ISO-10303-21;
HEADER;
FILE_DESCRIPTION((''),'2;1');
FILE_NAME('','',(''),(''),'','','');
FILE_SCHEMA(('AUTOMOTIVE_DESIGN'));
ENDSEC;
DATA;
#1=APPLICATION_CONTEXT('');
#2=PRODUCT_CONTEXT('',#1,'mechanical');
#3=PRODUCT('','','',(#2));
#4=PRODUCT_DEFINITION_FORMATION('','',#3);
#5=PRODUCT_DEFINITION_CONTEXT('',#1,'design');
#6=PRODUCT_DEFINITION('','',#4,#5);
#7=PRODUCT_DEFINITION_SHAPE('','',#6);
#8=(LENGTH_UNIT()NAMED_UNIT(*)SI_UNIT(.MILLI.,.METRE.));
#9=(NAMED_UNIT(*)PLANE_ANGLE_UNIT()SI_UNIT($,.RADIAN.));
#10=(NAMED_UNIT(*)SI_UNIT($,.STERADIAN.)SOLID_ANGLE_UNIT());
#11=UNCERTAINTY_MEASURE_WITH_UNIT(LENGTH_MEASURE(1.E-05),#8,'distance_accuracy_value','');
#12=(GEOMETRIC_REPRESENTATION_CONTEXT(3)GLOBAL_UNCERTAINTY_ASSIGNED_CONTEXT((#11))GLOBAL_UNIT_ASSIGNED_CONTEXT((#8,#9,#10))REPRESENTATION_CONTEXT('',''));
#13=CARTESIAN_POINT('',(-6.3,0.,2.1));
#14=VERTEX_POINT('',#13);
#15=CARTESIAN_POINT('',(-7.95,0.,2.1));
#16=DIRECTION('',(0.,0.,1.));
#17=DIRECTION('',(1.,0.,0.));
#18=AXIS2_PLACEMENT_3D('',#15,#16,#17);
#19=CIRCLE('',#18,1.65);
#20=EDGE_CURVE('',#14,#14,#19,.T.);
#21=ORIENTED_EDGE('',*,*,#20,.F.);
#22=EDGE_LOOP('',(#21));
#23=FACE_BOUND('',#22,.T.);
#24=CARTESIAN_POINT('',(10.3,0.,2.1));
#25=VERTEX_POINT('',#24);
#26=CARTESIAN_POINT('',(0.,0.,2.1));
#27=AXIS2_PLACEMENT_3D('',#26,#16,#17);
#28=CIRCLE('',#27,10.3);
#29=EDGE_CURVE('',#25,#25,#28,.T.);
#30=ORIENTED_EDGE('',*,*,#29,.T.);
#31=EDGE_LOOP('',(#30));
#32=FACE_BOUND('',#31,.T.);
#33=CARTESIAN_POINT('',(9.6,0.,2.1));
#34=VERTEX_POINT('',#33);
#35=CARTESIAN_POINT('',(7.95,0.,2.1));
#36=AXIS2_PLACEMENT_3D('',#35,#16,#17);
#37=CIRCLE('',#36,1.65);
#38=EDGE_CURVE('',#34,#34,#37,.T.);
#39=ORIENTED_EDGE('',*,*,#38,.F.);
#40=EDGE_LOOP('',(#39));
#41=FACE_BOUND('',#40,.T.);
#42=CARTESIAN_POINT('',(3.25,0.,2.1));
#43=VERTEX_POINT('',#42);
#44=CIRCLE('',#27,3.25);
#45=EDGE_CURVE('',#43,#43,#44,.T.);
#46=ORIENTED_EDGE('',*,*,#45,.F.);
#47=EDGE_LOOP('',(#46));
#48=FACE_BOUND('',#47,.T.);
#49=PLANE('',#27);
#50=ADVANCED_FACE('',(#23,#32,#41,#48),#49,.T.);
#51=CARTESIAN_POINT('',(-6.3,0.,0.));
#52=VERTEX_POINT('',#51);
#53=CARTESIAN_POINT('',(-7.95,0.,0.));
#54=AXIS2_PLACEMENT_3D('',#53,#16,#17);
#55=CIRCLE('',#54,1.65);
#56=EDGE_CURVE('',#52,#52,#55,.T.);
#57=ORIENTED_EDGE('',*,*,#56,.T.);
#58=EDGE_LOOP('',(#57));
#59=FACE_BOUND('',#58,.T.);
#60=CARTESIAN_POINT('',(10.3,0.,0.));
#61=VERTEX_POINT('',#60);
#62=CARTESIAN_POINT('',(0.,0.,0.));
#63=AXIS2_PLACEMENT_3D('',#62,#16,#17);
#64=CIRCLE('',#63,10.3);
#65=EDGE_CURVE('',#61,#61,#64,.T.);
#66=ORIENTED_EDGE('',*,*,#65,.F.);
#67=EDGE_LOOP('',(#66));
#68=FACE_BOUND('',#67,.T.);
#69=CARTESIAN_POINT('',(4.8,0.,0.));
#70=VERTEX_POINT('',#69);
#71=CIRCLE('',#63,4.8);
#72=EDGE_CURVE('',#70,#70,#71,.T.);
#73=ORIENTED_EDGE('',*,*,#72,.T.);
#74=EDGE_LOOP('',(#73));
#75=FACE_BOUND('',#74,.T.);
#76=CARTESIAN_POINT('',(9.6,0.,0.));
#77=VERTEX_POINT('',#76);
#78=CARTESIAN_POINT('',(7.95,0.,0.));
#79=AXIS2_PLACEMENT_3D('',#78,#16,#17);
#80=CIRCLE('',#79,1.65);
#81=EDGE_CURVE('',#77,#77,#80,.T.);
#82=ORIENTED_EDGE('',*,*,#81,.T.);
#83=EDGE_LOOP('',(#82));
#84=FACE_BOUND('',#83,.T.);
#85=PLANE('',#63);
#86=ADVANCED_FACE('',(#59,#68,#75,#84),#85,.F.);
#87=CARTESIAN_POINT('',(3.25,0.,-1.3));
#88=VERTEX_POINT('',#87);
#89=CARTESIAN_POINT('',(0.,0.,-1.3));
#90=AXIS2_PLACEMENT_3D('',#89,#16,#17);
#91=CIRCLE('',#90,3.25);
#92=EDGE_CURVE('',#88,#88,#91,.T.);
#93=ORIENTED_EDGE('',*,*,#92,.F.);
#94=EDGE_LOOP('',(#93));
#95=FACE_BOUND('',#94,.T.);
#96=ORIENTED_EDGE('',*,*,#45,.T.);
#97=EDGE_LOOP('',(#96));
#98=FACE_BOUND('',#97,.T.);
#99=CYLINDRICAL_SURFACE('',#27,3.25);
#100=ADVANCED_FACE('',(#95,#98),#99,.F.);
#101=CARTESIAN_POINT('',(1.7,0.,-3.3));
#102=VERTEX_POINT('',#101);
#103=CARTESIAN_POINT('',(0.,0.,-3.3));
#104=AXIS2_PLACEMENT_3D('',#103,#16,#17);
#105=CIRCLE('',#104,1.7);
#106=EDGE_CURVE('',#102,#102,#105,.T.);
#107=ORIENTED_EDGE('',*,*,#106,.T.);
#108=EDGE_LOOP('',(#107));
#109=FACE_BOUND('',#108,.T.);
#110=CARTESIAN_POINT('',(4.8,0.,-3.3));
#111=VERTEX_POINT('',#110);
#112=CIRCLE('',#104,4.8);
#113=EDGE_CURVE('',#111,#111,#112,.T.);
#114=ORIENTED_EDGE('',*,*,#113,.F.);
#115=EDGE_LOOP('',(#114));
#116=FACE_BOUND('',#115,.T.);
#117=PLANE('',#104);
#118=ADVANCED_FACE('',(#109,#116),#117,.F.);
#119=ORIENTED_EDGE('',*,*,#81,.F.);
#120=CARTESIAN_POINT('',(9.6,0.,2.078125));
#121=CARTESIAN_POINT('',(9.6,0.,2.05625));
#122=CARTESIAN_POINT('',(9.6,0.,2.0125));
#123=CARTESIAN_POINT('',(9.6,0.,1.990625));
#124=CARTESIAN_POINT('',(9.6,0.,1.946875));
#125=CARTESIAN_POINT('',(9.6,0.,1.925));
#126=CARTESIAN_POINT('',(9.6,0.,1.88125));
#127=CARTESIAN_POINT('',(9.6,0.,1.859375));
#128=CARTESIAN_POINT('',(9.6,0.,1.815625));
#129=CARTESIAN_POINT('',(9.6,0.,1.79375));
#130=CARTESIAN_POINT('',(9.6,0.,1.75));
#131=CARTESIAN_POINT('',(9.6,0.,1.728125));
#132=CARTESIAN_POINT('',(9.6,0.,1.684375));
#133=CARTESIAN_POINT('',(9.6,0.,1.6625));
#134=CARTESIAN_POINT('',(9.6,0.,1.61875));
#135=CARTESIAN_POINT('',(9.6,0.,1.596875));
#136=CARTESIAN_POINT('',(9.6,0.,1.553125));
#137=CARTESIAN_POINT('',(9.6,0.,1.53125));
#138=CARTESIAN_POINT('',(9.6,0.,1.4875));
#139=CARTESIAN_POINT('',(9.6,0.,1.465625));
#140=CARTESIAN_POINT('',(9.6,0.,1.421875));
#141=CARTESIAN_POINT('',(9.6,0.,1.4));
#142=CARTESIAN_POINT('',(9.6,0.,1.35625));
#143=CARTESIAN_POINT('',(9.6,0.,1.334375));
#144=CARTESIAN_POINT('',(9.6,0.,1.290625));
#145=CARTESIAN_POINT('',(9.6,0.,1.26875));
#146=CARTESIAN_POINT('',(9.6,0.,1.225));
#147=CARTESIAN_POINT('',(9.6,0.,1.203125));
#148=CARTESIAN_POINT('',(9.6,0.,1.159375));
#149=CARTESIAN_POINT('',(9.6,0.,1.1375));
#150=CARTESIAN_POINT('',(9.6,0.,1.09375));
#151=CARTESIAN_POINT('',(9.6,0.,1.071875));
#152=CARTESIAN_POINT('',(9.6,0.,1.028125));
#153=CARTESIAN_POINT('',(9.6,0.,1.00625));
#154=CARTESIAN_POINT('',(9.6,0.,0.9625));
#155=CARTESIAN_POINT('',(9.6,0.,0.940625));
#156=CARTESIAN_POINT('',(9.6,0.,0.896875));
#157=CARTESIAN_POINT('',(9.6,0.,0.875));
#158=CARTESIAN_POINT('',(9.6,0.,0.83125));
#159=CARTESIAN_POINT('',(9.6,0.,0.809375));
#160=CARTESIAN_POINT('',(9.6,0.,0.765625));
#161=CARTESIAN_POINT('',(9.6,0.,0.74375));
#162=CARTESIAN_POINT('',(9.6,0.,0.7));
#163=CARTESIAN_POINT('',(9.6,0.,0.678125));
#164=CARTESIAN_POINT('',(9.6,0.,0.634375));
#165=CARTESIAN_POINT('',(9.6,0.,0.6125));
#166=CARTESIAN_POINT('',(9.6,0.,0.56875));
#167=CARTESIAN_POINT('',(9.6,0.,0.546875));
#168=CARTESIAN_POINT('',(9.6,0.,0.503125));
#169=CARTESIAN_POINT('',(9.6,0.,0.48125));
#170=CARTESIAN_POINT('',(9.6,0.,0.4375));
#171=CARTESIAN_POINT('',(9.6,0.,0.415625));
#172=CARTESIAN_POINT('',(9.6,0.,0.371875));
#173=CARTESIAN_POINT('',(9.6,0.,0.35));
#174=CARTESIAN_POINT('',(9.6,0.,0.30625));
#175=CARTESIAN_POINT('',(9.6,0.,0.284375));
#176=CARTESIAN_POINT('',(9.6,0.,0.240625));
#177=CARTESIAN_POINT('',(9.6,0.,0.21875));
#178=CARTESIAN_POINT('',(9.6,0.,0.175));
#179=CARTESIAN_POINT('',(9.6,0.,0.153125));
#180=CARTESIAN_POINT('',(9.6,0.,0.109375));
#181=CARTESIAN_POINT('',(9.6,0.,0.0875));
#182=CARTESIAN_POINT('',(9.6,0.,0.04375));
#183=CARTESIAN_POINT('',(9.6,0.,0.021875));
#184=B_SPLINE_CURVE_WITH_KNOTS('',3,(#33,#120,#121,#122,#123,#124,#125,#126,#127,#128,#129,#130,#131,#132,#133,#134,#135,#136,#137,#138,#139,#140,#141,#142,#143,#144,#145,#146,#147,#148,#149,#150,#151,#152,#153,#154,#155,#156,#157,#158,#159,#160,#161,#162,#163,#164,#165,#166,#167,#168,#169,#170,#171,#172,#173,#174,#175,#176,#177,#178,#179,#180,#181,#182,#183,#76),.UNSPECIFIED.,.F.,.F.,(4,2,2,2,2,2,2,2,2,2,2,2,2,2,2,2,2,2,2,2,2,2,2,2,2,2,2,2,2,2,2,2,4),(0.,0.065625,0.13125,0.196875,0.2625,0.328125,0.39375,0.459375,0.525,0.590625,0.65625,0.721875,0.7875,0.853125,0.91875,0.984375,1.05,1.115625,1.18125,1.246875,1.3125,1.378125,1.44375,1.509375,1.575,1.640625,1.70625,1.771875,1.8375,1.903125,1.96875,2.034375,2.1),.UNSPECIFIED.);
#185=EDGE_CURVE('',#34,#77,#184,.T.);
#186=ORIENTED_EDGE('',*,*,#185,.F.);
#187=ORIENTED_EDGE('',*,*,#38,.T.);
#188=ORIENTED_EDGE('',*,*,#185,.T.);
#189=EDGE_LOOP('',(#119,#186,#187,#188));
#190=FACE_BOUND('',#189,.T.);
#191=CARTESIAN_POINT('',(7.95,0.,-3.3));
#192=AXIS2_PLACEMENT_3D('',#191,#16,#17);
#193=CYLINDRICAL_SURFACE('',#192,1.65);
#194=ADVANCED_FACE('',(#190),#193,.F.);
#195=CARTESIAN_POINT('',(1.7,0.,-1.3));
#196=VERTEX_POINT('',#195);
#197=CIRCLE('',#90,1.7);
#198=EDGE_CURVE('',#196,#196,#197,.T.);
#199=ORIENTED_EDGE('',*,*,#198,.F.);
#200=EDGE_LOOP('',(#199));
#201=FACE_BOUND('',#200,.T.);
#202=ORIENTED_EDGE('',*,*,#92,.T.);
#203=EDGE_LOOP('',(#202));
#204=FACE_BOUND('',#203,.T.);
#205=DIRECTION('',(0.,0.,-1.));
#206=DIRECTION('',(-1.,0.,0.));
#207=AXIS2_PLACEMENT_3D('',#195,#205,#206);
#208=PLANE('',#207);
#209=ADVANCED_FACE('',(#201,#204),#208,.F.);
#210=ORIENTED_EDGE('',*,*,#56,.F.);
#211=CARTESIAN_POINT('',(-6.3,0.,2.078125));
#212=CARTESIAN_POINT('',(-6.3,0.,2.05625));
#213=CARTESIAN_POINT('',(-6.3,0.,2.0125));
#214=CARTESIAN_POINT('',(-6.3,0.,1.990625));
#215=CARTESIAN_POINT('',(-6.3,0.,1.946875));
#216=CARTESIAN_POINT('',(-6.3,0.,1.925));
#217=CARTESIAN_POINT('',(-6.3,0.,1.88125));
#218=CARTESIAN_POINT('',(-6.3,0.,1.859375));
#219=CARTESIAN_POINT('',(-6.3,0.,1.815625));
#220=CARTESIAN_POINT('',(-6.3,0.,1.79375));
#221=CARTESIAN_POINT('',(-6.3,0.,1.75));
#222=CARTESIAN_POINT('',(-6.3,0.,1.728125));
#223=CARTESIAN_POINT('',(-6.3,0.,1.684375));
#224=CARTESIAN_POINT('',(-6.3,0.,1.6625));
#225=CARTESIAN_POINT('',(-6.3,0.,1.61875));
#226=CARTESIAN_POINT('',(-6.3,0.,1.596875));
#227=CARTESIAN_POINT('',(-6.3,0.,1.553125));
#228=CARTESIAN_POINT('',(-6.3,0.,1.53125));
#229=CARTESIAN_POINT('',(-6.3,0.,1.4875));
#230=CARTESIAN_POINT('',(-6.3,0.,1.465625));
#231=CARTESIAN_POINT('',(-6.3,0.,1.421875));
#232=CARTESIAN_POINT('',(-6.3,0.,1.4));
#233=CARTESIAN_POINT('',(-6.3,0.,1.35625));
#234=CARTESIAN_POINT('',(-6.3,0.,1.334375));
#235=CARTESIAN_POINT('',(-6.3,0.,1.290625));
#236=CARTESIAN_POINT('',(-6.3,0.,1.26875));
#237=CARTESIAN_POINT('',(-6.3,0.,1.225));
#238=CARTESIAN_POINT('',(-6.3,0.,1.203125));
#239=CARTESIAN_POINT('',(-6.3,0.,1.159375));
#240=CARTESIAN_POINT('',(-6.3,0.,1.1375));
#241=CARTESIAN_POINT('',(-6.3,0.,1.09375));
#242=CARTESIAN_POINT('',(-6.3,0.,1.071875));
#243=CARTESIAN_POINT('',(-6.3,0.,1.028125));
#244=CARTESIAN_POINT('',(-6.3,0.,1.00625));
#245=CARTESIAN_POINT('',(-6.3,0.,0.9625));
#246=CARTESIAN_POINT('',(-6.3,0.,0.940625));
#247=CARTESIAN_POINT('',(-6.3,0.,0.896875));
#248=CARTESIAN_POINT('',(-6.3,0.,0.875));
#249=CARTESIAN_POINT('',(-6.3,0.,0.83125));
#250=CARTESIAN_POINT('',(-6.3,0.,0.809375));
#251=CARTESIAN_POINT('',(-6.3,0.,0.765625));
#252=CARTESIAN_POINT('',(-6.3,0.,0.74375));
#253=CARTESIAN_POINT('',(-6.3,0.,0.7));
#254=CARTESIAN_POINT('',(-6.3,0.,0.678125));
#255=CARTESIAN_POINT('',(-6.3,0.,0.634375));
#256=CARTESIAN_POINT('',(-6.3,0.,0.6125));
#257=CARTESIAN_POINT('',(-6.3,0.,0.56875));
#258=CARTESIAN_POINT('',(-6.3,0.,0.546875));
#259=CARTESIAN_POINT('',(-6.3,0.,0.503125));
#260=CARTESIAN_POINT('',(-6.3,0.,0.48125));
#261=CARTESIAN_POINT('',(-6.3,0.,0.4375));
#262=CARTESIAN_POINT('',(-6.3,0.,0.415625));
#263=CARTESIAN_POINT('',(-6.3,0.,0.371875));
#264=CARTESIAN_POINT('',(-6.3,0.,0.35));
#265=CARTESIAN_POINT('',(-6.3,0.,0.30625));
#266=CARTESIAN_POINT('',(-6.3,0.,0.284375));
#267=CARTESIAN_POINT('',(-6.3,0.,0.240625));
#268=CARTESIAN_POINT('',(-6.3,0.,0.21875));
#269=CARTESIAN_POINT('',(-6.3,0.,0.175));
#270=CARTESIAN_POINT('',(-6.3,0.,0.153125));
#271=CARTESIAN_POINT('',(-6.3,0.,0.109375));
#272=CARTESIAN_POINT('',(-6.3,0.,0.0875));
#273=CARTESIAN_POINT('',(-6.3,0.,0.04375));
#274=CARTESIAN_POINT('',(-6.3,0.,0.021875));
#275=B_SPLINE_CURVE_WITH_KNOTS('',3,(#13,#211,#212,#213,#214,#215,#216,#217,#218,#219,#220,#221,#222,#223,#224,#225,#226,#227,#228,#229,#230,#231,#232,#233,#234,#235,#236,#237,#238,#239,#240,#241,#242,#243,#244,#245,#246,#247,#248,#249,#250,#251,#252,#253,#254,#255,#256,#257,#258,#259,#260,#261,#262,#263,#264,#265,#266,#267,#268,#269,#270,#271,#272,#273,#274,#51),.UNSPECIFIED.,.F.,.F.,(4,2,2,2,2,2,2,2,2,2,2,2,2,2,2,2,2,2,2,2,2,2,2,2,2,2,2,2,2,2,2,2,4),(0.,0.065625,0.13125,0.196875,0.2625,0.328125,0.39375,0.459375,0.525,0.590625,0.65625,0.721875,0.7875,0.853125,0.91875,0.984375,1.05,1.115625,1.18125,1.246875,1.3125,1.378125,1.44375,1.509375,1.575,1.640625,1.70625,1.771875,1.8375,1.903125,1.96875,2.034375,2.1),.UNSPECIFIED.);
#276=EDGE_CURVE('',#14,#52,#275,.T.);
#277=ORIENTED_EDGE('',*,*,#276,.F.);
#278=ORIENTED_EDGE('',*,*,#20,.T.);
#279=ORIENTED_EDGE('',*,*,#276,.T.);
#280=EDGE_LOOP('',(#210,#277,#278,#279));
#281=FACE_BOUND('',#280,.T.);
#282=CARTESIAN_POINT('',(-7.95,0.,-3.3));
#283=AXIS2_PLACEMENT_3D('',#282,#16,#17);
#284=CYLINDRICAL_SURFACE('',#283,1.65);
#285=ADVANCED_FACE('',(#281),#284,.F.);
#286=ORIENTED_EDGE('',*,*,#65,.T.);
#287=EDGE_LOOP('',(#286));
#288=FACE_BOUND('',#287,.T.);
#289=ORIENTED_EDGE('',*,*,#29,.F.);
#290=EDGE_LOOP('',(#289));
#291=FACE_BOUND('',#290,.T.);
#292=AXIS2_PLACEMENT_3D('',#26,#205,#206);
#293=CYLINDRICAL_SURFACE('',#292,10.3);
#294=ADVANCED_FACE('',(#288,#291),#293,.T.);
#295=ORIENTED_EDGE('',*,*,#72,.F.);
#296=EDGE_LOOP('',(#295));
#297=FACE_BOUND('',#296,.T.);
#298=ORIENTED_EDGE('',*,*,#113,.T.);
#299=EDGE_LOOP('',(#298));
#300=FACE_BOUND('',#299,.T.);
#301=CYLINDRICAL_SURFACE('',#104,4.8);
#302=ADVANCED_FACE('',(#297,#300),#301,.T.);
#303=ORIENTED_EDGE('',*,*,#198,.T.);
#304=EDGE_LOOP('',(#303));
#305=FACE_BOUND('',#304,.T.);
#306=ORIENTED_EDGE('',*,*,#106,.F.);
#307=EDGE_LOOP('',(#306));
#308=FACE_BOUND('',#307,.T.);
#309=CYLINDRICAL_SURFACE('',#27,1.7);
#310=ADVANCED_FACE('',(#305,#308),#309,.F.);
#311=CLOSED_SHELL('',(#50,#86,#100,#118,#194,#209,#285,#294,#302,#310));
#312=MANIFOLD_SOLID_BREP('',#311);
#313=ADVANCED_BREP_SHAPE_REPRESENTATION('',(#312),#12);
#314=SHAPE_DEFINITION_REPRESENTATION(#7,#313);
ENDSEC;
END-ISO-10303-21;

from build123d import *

# Parameters (mm, degrees)
ESQUISSE1_R             = 10.3
BOSS_EXTRU_1_DEPTH      = 2.1
ESQUISSE2_R             = 4.8
BOSS_EXTRU_2_DEPTH      = 3.3
ESQUISSE3_R             = 1.65
ENL_V_MAT_EXTRU_1_DEPTH = 16.535121499


with BuildPart() as part:
    # Esquisse1 → Boss.-Extru.1 (new body)
    with BuildSketch(Plane.XY):
        Circle(ESQUISSE1_R)
    extrude(amount=BOSS_EXTRU_1_DEPTH)

    # Esquisse2 → Boss.-Extru.2 (add)
    with BuildSketch(Plane.XY):
        Circle(ESQUISSE2_R)
    extrude(amount=-BOSS_EXTRU_2_DEPTH)

    # Esquisse3 → Enlèv. mat.-Extru.1 (cut, through all)
    with BuildSketch(Plane.XY.offset(2.1)):
        with Locations((7.95, 0)):
            Circle(ESQUISSE3_R)
        with Locations((-7.95, 0)):
            Circle(ESQUISSE3_R)
    extrude(amount=-ENL_V_MAT_EXTRU_1_DEPTH, mode=Mode.SUBTRACT)

    # Esquisse4 → Chambrage pour vis à six pans creux M31 (revolve, cut)
    with BuildSketch(Plane(origin=(0, 0, 2.1), x_dir=(0, -1, 0), z_dir=(1, 0, 0))):
        Polygon((0, 0), (0, 5.4), (1.7, 5.4), (1.7, 3.4), (3.25, 3.4), (3.25, 0), align=None)
    revolve(axis=Axis((0, 0, 8.45), (0, 0, -1)), mode=Mode.SUBTRACT)


solid = part.part
